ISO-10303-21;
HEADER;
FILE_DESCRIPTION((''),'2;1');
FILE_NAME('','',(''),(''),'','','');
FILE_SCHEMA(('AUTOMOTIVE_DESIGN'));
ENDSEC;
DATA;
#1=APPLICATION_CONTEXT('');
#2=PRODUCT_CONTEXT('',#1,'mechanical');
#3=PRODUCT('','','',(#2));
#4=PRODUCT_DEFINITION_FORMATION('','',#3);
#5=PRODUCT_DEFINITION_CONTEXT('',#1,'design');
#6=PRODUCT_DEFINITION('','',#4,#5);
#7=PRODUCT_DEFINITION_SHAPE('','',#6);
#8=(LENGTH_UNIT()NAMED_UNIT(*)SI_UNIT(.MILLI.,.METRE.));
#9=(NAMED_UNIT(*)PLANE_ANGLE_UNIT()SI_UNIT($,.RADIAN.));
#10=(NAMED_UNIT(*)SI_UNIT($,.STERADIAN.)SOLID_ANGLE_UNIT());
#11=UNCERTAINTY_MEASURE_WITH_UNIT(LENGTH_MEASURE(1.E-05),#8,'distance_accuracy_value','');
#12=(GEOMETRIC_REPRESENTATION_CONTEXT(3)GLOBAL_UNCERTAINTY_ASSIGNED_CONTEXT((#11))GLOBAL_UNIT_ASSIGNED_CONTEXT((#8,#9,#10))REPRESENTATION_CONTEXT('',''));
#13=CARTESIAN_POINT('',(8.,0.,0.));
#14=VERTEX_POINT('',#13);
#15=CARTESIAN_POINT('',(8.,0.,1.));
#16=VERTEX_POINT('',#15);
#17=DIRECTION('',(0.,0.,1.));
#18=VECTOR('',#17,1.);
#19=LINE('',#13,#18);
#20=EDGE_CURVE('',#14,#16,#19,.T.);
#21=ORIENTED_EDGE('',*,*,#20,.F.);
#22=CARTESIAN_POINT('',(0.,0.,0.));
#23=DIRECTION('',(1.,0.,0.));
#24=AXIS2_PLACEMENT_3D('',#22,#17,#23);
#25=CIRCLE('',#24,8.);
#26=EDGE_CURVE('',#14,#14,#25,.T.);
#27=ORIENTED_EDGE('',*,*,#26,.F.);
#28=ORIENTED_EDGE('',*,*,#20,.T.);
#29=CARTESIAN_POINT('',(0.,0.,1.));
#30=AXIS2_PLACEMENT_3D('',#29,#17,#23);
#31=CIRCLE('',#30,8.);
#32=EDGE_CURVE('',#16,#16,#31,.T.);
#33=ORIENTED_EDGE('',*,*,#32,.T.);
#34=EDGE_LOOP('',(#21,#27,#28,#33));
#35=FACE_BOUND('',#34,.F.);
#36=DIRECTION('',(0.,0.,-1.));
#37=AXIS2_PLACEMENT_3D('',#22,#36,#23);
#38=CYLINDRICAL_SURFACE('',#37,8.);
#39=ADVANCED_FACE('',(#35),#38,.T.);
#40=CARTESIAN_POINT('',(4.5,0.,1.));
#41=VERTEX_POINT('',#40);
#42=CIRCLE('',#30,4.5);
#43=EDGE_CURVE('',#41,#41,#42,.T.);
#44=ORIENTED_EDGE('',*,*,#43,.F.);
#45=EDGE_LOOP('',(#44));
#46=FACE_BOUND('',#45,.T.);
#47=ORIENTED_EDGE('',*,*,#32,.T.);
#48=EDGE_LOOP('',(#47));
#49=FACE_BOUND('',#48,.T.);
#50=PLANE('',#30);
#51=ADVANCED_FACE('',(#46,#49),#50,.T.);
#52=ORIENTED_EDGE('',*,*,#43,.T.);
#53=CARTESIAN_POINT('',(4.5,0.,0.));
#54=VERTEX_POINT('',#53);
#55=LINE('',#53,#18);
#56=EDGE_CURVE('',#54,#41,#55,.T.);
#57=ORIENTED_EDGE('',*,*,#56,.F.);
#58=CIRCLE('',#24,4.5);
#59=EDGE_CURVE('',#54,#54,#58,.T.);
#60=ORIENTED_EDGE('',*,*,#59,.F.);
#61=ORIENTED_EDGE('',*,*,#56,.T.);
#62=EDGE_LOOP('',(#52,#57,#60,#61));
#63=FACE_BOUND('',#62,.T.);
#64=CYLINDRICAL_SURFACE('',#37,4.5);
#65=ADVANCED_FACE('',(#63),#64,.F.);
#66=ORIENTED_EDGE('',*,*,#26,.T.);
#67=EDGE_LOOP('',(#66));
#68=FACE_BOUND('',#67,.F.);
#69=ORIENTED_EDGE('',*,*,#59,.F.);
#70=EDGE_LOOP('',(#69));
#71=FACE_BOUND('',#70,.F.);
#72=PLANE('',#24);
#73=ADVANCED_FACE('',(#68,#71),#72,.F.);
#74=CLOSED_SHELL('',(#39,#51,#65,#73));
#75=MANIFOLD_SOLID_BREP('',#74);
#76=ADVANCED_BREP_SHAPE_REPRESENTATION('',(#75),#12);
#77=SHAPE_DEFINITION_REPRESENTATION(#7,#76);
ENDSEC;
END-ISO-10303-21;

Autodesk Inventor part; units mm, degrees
ref_plane "YZ Plane" through (0, 0, 0) normal (1, 0, 0) x (0, 1, 0)
ref_plane "XZ Plane" through (0, 0, 0) normal (0, 1, 0) x (-1, 0, 0)
ref_plane "XY Plane" through (0, 0, 0) normal (0, 0, 1) x (1, 0, 0)
sketch "Sketch1" plane through (0, 0, 0) normal (0, 0, 1) x (1, 0, 0)
  circle A0 centre (0, 0) radius 4.5
  circle A1 centre (0, 0) radius 8
  dimension "d0" = 9
  dimension "d2" = 16
extrude "Extrusion1" add sketch "Sketch1" along normal blind 1
properties part number "plastic washer"
